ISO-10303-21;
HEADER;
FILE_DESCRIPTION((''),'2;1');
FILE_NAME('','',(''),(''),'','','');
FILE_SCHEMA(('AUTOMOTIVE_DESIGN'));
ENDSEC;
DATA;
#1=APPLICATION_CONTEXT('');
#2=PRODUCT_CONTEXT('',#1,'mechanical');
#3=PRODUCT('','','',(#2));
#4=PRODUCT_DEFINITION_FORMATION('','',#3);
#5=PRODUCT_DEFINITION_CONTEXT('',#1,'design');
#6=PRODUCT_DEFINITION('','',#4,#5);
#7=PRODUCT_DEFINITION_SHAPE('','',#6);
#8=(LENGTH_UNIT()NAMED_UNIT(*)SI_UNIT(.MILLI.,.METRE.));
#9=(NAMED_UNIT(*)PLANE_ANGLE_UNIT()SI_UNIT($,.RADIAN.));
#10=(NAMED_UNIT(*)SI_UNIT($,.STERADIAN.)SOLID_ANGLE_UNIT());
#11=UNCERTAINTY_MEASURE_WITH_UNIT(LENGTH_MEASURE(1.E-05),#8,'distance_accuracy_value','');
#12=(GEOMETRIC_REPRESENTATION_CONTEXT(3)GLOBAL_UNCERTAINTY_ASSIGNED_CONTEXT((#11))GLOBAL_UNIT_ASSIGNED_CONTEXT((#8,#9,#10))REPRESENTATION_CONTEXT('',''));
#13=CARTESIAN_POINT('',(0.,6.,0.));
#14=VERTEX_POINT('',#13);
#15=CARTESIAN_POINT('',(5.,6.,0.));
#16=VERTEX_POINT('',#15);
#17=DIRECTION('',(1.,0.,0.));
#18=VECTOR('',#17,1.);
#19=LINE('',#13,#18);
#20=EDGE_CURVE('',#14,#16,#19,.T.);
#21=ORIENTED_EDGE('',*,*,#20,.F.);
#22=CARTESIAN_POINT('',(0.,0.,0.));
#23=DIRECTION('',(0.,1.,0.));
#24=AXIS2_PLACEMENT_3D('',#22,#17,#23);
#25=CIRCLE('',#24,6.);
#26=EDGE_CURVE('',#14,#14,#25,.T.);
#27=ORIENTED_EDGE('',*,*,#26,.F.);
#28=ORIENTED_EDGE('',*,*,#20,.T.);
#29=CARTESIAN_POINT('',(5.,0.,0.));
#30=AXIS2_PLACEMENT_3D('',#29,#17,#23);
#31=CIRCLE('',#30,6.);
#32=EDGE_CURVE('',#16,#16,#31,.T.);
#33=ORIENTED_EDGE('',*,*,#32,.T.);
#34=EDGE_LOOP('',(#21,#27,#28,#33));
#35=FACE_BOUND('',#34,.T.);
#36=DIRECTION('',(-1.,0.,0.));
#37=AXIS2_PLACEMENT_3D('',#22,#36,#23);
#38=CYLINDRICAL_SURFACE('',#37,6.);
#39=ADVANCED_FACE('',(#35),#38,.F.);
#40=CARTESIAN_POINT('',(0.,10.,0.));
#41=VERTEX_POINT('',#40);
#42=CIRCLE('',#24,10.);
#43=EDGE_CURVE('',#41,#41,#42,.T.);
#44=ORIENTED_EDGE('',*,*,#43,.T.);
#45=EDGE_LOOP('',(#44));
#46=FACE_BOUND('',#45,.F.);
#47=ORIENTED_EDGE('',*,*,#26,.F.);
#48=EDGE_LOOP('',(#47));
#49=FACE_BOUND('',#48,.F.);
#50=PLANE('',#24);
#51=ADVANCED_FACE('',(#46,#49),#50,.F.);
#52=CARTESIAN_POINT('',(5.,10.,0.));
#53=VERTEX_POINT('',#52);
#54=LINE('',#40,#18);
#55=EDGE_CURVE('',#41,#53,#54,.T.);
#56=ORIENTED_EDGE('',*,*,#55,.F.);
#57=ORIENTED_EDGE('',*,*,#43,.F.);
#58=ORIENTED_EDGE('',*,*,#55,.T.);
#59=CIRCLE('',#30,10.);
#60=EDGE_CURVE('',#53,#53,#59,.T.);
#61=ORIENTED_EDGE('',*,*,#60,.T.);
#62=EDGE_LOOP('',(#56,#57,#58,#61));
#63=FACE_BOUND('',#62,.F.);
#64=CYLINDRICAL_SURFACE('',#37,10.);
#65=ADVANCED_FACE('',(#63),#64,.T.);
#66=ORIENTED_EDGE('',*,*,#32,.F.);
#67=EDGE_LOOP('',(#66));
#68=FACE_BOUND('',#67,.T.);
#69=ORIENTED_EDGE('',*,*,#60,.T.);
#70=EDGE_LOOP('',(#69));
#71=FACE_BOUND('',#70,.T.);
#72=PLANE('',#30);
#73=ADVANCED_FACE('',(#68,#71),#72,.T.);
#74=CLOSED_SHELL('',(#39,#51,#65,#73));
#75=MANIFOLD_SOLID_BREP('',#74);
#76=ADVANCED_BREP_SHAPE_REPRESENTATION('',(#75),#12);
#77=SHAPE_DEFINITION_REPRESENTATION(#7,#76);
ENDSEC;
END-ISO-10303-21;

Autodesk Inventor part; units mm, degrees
ref_plane "YZ Plane" through (0, 0, 0) normal (1, 0, 0) x (0, 1, 0)
ref_plane "XZ Plane" through (0, 0, 0) normal (0, 1, 0) x (-1, 0, 0)
ref_plane "XY Plane" through (0, 0, 0) normal (0, 0, 1) x (1, 0, 0)
sketch "스케치1" plane through (0, 0, 0) normal (1, 0, 0) x (0, 1, 0)
  circle A0 centre (0, 0) radius 10
  circle A1 centre (0, 0) radius 6
  dimension "d0" = 20
  dimension "d1" = 12
extrude "돌출1" add sketch "스케치1" along normal blind 5
properties part number "메인 스퍼기어 부시"
